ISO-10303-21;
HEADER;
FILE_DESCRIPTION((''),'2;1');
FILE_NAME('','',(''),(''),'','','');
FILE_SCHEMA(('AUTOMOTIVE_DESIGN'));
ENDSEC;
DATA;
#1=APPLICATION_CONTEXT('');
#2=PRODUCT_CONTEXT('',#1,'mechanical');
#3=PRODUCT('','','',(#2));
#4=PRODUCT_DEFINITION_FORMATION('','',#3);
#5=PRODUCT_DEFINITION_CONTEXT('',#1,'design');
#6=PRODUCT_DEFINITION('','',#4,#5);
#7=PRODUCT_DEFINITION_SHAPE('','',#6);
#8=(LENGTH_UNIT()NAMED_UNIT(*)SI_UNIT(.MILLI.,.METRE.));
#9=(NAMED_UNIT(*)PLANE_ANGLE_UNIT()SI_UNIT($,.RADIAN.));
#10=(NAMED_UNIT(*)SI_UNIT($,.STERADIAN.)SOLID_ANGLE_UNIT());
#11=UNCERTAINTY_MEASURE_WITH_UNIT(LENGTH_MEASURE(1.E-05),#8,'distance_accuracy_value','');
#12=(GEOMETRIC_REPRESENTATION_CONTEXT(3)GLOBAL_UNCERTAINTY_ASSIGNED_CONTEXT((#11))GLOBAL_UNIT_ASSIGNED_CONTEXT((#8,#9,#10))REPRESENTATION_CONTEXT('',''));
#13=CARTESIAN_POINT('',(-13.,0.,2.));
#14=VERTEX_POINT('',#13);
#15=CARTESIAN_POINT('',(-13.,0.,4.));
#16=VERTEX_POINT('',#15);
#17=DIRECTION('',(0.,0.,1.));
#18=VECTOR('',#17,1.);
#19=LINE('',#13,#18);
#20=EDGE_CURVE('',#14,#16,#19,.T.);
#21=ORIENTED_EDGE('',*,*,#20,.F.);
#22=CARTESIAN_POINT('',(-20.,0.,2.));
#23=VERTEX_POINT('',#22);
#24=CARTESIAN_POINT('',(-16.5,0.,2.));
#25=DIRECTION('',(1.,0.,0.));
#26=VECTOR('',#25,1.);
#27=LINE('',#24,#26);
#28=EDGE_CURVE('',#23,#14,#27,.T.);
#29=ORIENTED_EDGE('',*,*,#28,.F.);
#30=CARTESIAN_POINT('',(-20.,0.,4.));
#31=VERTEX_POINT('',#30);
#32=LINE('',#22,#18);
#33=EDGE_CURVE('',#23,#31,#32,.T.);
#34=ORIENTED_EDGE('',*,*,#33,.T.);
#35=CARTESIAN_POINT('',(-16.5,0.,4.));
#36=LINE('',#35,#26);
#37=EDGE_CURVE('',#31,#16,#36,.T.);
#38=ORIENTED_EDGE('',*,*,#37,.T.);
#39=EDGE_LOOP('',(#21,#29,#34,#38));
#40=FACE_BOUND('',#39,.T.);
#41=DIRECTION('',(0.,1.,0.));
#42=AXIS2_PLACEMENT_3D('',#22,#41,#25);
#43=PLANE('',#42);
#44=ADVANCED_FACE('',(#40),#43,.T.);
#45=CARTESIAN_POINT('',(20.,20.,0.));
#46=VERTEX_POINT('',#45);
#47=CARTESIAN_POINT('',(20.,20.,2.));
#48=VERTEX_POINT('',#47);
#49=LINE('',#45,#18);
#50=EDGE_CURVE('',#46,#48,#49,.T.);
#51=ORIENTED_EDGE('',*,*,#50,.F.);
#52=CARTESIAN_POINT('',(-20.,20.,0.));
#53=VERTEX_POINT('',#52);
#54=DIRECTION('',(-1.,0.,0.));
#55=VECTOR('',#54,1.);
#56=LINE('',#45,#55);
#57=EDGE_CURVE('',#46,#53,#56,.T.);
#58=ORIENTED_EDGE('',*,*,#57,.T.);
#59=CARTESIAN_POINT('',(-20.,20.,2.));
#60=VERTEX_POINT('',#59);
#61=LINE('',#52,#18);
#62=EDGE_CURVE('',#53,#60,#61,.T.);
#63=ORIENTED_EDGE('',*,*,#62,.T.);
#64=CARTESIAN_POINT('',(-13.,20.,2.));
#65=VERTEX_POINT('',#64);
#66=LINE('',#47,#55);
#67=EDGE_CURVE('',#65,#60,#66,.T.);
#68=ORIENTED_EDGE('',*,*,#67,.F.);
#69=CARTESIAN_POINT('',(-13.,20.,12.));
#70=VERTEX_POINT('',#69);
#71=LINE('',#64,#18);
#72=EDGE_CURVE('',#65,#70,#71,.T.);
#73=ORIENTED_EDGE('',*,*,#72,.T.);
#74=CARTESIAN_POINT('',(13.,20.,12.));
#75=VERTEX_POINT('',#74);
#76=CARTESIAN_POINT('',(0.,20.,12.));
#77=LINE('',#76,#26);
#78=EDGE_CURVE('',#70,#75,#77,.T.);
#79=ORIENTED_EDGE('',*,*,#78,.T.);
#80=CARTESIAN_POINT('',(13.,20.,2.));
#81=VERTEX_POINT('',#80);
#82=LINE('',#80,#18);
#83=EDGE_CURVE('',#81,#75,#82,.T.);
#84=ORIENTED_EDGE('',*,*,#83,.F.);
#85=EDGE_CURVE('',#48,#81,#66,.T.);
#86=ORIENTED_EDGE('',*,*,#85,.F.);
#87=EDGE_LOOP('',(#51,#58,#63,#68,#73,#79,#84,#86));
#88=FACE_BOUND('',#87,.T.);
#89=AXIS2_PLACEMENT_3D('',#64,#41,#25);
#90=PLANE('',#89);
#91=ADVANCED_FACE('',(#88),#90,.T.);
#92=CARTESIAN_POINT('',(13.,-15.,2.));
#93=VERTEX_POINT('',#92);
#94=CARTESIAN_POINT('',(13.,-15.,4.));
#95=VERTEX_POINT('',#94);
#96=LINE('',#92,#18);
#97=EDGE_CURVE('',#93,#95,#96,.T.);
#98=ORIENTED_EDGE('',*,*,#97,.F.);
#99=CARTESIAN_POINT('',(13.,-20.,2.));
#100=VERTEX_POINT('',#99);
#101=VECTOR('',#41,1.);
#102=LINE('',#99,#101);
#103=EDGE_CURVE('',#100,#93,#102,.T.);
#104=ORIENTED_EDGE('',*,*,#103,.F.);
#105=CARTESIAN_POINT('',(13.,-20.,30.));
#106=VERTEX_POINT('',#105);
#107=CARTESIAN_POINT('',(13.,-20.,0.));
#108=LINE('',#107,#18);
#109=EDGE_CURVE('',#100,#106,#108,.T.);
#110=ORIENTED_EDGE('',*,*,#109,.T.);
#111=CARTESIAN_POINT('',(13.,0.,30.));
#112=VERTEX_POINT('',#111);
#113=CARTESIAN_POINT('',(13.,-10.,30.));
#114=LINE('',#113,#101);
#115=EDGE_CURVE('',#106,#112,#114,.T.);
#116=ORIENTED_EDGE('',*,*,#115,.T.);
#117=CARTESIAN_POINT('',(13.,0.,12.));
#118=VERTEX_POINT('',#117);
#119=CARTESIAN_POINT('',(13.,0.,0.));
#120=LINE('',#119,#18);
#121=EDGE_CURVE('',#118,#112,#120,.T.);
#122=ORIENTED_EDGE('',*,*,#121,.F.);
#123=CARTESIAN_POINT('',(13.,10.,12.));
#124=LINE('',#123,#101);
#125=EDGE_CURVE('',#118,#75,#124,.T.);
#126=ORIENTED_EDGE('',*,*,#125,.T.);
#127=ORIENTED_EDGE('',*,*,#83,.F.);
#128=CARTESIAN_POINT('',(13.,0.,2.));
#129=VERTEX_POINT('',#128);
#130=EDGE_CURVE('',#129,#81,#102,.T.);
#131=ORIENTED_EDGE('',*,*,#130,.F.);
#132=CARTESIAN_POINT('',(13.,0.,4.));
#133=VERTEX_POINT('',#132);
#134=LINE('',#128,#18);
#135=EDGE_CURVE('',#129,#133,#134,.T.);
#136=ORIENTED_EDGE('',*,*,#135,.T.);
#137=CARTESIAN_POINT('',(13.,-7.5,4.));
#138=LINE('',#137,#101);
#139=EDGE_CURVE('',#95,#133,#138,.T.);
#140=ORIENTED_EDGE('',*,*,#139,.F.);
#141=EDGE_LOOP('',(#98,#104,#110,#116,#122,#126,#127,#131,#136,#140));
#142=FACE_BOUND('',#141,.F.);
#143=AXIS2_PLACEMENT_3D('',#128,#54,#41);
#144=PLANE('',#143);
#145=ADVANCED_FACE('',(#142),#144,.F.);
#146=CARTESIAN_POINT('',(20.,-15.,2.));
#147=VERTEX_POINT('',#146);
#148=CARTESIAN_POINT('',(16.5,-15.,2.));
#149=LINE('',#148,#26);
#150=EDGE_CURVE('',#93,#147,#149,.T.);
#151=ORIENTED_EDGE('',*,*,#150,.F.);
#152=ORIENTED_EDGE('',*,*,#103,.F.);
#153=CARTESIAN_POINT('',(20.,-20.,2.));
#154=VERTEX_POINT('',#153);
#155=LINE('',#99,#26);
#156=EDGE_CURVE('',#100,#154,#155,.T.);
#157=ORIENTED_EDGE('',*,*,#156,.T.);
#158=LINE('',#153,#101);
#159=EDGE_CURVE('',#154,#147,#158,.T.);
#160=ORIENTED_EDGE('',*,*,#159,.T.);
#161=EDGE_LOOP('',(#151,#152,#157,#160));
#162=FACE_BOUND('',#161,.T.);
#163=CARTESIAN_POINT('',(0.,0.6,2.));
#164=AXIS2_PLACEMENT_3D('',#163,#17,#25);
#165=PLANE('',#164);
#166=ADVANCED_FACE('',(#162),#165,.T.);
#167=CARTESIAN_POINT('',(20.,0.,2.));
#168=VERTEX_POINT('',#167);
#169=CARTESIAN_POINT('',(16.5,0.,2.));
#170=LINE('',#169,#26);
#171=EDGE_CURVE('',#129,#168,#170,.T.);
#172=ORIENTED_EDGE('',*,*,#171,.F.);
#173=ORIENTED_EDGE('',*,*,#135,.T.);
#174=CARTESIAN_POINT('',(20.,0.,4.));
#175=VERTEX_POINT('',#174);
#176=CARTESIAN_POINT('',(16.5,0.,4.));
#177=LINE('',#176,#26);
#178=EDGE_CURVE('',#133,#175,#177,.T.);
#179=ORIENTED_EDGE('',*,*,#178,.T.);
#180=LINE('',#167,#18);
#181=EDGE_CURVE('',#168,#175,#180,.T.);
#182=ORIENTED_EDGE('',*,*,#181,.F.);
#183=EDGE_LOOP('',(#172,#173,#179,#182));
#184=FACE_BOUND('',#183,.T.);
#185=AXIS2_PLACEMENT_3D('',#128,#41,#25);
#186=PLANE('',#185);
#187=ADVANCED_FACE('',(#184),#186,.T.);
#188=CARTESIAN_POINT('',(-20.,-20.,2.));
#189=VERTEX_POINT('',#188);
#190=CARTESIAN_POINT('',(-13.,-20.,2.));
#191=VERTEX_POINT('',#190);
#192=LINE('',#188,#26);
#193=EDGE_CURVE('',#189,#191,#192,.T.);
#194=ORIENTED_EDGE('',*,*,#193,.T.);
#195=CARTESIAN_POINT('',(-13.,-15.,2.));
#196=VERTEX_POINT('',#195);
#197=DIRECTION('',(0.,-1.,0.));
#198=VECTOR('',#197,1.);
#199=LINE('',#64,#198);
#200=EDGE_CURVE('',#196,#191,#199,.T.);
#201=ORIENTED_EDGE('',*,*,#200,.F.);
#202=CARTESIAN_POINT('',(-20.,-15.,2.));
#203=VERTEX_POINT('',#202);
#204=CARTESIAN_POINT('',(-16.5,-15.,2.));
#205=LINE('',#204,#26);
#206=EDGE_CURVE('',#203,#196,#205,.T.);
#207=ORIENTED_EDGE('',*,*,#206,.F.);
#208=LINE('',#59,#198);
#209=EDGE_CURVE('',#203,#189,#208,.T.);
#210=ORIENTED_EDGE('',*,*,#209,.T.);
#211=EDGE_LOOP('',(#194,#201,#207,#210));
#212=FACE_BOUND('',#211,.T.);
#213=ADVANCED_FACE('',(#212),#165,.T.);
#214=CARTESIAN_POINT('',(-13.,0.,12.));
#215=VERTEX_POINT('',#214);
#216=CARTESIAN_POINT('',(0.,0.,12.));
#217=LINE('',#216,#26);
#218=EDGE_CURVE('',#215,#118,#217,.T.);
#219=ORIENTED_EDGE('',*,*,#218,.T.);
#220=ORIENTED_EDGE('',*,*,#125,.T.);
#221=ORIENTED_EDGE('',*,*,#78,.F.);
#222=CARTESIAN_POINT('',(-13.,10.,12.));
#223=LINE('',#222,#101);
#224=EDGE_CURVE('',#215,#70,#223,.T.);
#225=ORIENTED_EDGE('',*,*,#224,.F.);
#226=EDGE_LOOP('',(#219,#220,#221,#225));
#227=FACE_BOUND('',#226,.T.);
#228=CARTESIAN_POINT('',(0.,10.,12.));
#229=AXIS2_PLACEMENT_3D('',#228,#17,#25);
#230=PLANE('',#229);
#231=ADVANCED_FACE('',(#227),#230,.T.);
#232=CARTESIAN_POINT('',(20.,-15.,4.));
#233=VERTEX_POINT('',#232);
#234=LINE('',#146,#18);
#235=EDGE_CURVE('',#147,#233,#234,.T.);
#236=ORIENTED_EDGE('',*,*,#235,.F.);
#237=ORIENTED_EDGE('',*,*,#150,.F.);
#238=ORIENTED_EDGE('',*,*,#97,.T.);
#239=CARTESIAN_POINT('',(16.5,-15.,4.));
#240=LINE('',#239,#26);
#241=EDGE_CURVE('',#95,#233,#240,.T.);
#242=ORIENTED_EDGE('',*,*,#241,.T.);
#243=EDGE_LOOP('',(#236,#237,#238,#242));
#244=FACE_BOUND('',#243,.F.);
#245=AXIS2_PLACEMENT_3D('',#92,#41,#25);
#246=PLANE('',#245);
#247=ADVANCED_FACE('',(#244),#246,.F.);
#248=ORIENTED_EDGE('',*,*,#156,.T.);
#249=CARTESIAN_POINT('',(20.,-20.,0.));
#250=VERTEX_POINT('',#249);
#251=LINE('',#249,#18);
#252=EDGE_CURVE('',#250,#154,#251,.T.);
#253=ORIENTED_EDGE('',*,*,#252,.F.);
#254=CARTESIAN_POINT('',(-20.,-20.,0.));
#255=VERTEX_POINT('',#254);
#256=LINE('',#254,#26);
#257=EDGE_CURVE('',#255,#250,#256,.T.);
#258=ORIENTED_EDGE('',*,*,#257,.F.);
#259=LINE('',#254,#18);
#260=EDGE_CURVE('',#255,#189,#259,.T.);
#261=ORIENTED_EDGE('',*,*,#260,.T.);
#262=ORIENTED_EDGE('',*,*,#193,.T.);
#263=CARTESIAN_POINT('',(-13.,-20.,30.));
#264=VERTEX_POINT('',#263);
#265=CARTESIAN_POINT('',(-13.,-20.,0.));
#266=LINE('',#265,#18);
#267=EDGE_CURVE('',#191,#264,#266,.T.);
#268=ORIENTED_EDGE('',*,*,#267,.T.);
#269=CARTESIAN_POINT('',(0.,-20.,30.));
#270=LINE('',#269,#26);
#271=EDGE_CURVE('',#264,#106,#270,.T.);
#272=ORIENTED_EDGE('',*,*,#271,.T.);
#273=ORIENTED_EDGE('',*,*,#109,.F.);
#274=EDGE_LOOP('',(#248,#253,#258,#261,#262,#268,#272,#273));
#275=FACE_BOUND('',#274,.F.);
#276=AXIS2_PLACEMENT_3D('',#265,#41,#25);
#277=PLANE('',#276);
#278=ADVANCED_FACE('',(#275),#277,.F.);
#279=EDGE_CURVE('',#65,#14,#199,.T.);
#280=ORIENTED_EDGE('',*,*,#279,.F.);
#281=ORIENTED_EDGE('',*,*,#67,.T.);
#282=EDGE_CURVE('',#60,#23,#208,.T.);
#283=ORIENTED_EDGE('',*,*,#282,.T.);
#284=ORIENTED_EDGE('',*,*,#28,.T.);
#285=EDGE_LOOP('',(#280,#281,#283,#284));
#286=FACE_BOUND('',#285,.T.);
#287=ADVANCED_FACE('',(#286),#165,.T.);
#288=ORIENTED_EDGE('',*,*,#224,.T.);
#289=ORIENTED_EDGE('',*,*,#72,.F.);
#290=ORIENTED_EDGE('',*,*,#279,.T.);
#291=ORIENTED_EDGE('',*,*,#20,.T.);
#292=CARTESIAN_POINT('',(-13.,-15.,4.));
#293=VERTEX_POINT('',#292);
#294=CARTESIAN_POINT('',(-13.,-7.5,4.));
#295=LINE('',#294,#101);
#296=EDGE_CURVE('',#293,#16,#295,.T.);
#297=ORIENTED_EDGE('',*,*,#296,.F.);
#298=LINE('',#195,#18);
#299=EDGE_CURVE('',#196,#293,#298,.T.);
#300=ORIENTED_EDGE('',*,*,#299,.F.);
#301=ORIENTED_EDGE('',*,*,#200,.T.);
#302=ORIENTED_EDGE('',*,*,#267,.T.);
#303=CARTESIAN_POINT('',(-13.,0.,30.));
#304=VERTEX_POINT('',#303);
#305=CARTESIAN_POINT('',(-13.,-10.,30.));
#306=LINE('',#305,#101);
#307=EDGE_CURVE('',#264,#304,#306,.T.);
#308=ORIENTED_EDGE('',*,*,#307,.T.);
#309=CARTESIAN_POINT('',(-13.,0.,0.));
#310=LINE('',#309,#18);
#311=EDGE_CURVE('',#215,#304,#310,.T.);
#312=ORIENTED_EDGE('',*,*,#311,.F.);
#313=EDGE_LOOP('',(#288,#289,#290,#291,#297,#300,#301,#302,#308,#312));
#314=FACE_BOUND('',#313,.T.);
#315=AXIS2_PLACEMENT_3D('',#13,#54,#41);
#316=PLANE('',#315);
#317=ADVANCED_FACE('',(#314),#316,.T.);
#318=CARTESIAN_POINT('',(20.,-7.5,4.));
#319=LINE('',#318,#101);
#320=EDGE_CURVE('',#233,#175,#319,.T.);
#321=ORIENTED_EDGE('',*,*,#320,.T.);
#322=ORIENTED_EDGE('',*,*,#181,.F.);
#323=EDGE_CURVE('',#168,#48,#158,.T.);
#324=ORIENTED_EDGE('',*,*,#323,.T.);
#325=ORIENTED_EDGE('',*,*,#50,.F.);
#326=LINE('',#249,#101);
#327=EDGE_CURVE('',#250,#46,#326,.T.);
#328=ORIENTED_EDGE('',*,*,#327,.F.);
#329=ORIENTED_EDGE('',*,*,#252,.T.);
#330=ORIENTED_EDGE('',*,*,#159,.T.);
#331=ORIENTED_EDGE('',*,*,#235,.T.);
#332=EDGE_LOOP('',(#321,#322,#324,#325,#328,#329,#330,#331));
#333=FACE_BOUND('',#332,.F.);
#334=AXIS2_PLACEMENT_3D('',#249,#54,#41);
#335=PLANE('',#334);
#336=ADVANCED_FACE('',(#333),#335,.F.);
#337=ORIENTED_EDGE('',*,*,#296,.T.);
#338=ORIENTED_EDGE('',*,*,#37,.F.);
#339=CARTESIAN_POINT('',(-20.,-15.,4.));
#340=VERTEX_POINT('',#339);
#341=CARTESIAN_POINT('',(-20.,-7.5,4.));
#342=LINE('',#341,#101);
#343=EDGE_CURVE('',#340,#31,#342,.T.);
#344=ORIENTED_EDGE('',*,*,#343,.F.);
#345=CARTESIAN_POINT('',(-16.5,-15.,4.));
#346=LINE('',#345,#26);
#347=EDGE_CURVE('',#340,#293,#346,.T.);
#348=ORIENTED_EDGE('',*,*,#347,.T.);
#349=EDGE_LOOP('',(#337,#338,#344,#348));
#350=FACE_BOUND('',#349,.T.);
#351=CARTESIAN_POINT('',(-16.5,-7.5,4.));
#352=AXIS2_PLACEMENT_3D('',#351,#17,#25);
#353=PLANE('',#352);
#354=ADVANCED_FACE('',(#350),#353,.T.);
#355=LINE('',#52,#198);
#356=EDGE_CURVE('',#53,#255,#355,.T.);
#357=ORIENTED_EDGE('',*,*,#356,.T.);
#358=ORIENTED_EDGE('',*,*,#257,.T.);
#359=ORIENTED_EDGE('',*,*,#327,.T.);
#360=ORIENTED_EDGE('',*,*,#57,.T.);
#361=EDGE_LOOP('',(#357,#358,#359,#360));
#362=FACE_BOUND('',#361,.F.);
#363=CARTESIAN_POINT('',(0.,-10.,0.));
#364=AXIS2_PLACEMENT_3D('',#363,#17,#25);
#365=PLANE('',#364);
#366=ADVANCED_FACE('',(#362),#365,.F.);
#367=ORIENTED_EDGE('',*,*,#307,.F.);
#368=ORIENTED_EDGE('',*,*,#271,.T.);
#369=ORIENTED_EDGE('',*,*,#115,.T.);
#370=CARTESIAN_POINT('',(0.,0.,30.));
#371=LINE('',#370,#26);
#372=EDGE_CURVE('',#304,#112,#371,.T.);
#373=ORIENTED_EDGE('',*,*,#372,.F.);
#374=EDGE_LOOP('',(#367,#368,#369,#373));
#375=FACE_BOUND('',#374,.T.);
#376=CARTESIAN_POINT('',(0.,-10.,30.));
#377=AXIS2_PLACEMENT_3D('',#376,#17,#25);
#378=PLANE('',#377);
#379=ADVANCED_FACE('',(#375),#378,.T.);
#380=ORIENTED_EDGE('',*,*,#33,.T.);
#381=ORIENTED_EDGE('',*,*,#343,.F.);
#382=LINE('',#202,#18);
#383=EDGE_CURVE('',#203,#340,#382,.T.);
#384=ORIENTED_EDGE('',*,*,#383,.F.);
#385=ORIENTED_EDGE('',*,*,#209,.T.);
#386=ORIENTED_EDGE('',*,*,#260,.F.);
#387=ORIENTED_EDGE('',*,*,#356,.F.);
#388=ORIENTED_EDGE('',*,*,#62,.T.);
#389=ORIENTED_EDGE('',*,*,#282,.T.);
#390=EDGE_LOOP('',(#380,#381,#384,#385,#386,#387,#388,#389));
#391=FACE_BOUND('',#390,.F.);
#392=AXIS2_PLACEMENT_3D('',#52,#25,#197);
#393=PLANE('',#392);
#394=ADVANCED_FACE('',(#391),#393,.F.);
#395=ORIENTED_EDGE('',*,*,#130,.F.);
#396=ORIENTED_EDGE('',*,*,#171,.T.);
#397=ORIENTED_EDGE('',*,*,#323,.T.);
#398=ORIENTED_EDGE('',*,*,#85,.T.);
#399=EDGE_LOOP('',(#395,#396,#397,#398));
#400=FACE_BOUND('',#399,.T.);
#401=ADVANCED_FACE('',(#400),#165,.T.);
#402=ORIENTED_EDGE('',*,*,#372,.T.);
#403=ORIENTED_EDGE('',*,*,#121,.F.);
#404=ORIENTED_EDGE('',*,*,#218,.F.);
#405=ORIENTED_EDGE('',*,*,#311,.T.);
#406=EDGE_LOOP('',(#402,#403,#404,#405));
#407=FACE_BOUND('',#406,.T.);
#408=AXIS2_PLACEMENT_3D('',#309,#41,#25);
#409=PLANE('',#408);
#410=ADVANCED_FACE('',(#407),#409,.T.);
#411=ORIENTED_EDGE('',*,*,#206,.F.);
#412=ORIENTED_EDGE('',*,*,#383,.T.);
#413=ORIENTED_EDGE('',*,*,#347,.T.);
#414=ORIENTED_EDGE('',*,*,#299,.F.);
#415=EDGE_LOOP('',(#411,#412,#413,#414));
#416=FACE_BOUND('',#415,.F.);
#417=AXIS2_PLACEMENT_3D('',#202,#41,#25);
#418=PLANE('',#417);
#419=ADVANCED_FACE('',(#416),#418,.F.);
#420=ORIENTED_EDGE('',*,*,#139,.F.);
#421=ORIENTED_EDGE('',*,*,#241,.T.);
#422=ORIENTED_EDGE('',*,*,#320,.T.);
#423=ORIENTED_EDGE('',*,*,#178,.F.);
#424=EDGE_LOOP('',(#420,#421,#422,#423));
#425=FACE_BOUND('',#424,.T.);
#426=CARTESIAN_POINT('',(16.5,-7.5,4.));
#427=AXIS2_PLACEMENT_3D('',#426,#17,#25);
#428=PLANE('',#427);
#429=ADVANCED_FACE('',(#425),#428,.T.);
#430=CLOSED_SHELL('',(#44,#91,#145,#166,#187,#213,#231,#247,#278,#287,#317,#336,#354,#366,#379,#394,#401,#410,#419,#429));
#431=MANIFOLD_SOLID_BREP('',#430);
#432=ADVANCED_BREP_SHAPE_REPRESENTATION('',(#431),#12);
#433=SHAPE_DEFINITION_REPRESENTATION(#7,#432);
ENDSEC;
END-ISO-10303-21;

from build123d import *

# Parameters (mm, degrees)
F1_DEPTH = 2
F0_W     = 26
F0_H     = 20
F2_DEPTH = 30
F3_W     = 26
F3_H     = 20
F4_DEPTH = 10
F5_W     = 7
F5_H     = 15
F6_DEPTH = 2


with BuildPart() as f1:
    # F0 (on Top) → F1 (new body)
    with BuildSketch(Plane.XY):
        Polygon((20, -20), (20, 20), (-20, 20), (-20, -20), (-13, -20), (-13, 0), (13, 0), (13, -20), align=None)
    extrude(amount=F1_DEPTH)



with BuildPart() as f2:
    # F0 (on Top) → F2 (new body)
    with BuildSketch(Plane.XY):
        with Locations((0, -10)):
            Rectangle(F0_W, F0_H)
    extrude(amount=F2_DEPTH)


with BuildPart() as f1_1:
    add(f1.part)

    add(f2.part)  # F4 merges F2
    # F3 (on face) → F4 (join)
    with BuildSketch(Plane.XY.offset(2)):
        with Locations((0, 10)):
            Rectangle(F3_W, F3_H)
    extrude(amount=F4_DEPTH)

    # F5 (on face) → F6 (join)
    with BuildSketch(Plane.XY.offset(2)):
        with Locations((16.5, -7.5)):
            Rectangle(F5_W, F5_H)
        with Locations((-16.5, -7.5)):
            Rectangle(F5_W, F5_H)
    extrude(amount=F6_DEPTH)


solid = f1_1.part
